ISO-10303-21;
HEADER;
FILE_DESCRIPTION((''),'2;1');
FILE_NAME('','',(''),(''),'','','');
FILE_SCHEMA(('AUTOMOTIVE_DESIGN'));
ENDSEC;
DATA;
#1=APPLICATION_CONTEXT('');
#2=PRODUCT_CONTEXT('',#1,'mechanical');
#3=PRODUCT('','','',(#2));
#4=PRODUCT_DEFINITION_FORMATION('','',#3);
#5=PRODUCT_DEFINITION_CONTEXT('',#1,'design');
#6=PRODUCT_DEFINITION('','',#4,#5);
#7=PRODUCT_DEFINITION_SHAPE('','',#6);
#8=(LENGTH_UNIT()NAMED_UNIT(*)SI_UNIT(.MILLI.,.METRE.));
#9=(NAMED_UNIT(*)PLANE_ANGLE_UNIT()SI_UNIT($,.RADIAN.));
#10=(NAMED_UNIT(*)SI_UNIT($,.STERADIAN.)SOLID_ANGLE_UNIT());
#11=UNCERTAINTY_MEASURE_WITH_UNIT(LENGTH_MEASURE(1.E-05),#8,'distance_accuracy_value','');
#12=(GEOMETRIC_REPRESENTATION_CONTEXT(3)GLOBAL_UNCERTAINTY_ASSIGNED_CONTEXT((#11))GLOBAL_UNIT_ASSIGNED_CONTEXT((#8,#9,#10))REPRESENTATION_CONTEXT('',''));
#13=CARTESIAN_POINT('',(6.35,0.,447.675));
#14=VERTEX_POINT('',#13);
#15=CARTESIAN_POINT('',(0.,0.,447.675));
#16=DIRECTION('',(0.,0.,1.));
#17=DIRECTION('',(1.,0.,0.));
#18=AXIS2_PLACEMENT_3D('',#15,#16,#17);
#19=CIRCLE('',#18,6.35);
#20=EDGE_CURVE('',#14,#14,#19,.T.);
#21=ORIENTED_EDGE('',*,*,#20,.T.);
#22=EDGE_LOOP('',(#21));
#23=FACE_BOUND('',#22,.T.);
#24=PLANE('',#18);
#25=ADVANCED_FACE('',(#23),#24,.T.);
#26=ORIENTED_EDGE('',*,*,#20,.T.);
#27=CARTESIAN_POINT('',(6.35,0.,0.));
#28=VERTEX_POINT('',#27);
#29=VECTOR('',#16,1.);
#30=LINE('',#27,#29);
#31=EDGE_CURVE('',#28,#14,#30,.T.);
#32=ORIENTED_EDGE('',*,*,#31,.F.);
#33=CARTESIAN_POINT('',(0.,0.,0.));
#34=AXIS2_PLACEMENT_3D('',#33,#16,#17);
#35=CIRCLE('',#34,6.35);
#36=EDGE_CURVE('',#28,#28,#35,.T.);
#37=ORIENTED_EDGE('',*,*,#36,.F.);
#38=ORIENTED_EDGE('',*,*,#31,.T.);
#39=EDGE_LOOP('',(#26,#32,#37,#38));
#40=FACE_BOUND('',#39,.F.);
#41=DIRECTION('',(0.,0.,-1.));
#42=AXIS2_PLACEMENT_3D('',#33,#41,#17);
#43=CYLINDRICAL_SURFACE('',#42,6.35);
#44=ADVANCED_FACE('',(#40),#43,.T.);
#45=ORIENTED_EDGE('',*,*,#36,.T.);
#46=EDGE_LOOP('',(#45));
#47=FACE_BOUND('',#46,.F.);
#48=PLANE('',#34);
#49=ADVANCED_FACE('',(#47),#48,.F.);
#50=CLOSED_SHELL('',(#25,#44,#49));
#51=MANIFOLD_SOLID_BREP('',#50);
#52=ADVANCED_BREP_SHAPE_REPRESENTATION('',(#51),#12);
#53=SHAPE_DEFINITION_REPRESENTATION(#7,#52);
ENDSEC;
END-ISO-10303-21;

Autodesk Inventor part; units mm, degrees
ref_plane "YZ Plane" through (0, 0, 0) normal (1, 0, 0) x (0, 1, 0)
ref_plane "XZ Plane" through (0, 0, 0) normal (0, 1, 0) x (-1, 0, 0)
ref_plane "XY Plane" through (0, 0, 0) normal (0, 0, 1) x (1, 0, 0)
sketch "Sketch1" plane through (0, 0, 0) normal (0, 0, 1) x (1, 0, 0)
  circle A0 centre (0, 0) radius 6.35
  dimension "d0" = 12.7
extrude "Extrusion1" add sketch "Sketch1" along normal blind 447.675
properties part number "long rods"
